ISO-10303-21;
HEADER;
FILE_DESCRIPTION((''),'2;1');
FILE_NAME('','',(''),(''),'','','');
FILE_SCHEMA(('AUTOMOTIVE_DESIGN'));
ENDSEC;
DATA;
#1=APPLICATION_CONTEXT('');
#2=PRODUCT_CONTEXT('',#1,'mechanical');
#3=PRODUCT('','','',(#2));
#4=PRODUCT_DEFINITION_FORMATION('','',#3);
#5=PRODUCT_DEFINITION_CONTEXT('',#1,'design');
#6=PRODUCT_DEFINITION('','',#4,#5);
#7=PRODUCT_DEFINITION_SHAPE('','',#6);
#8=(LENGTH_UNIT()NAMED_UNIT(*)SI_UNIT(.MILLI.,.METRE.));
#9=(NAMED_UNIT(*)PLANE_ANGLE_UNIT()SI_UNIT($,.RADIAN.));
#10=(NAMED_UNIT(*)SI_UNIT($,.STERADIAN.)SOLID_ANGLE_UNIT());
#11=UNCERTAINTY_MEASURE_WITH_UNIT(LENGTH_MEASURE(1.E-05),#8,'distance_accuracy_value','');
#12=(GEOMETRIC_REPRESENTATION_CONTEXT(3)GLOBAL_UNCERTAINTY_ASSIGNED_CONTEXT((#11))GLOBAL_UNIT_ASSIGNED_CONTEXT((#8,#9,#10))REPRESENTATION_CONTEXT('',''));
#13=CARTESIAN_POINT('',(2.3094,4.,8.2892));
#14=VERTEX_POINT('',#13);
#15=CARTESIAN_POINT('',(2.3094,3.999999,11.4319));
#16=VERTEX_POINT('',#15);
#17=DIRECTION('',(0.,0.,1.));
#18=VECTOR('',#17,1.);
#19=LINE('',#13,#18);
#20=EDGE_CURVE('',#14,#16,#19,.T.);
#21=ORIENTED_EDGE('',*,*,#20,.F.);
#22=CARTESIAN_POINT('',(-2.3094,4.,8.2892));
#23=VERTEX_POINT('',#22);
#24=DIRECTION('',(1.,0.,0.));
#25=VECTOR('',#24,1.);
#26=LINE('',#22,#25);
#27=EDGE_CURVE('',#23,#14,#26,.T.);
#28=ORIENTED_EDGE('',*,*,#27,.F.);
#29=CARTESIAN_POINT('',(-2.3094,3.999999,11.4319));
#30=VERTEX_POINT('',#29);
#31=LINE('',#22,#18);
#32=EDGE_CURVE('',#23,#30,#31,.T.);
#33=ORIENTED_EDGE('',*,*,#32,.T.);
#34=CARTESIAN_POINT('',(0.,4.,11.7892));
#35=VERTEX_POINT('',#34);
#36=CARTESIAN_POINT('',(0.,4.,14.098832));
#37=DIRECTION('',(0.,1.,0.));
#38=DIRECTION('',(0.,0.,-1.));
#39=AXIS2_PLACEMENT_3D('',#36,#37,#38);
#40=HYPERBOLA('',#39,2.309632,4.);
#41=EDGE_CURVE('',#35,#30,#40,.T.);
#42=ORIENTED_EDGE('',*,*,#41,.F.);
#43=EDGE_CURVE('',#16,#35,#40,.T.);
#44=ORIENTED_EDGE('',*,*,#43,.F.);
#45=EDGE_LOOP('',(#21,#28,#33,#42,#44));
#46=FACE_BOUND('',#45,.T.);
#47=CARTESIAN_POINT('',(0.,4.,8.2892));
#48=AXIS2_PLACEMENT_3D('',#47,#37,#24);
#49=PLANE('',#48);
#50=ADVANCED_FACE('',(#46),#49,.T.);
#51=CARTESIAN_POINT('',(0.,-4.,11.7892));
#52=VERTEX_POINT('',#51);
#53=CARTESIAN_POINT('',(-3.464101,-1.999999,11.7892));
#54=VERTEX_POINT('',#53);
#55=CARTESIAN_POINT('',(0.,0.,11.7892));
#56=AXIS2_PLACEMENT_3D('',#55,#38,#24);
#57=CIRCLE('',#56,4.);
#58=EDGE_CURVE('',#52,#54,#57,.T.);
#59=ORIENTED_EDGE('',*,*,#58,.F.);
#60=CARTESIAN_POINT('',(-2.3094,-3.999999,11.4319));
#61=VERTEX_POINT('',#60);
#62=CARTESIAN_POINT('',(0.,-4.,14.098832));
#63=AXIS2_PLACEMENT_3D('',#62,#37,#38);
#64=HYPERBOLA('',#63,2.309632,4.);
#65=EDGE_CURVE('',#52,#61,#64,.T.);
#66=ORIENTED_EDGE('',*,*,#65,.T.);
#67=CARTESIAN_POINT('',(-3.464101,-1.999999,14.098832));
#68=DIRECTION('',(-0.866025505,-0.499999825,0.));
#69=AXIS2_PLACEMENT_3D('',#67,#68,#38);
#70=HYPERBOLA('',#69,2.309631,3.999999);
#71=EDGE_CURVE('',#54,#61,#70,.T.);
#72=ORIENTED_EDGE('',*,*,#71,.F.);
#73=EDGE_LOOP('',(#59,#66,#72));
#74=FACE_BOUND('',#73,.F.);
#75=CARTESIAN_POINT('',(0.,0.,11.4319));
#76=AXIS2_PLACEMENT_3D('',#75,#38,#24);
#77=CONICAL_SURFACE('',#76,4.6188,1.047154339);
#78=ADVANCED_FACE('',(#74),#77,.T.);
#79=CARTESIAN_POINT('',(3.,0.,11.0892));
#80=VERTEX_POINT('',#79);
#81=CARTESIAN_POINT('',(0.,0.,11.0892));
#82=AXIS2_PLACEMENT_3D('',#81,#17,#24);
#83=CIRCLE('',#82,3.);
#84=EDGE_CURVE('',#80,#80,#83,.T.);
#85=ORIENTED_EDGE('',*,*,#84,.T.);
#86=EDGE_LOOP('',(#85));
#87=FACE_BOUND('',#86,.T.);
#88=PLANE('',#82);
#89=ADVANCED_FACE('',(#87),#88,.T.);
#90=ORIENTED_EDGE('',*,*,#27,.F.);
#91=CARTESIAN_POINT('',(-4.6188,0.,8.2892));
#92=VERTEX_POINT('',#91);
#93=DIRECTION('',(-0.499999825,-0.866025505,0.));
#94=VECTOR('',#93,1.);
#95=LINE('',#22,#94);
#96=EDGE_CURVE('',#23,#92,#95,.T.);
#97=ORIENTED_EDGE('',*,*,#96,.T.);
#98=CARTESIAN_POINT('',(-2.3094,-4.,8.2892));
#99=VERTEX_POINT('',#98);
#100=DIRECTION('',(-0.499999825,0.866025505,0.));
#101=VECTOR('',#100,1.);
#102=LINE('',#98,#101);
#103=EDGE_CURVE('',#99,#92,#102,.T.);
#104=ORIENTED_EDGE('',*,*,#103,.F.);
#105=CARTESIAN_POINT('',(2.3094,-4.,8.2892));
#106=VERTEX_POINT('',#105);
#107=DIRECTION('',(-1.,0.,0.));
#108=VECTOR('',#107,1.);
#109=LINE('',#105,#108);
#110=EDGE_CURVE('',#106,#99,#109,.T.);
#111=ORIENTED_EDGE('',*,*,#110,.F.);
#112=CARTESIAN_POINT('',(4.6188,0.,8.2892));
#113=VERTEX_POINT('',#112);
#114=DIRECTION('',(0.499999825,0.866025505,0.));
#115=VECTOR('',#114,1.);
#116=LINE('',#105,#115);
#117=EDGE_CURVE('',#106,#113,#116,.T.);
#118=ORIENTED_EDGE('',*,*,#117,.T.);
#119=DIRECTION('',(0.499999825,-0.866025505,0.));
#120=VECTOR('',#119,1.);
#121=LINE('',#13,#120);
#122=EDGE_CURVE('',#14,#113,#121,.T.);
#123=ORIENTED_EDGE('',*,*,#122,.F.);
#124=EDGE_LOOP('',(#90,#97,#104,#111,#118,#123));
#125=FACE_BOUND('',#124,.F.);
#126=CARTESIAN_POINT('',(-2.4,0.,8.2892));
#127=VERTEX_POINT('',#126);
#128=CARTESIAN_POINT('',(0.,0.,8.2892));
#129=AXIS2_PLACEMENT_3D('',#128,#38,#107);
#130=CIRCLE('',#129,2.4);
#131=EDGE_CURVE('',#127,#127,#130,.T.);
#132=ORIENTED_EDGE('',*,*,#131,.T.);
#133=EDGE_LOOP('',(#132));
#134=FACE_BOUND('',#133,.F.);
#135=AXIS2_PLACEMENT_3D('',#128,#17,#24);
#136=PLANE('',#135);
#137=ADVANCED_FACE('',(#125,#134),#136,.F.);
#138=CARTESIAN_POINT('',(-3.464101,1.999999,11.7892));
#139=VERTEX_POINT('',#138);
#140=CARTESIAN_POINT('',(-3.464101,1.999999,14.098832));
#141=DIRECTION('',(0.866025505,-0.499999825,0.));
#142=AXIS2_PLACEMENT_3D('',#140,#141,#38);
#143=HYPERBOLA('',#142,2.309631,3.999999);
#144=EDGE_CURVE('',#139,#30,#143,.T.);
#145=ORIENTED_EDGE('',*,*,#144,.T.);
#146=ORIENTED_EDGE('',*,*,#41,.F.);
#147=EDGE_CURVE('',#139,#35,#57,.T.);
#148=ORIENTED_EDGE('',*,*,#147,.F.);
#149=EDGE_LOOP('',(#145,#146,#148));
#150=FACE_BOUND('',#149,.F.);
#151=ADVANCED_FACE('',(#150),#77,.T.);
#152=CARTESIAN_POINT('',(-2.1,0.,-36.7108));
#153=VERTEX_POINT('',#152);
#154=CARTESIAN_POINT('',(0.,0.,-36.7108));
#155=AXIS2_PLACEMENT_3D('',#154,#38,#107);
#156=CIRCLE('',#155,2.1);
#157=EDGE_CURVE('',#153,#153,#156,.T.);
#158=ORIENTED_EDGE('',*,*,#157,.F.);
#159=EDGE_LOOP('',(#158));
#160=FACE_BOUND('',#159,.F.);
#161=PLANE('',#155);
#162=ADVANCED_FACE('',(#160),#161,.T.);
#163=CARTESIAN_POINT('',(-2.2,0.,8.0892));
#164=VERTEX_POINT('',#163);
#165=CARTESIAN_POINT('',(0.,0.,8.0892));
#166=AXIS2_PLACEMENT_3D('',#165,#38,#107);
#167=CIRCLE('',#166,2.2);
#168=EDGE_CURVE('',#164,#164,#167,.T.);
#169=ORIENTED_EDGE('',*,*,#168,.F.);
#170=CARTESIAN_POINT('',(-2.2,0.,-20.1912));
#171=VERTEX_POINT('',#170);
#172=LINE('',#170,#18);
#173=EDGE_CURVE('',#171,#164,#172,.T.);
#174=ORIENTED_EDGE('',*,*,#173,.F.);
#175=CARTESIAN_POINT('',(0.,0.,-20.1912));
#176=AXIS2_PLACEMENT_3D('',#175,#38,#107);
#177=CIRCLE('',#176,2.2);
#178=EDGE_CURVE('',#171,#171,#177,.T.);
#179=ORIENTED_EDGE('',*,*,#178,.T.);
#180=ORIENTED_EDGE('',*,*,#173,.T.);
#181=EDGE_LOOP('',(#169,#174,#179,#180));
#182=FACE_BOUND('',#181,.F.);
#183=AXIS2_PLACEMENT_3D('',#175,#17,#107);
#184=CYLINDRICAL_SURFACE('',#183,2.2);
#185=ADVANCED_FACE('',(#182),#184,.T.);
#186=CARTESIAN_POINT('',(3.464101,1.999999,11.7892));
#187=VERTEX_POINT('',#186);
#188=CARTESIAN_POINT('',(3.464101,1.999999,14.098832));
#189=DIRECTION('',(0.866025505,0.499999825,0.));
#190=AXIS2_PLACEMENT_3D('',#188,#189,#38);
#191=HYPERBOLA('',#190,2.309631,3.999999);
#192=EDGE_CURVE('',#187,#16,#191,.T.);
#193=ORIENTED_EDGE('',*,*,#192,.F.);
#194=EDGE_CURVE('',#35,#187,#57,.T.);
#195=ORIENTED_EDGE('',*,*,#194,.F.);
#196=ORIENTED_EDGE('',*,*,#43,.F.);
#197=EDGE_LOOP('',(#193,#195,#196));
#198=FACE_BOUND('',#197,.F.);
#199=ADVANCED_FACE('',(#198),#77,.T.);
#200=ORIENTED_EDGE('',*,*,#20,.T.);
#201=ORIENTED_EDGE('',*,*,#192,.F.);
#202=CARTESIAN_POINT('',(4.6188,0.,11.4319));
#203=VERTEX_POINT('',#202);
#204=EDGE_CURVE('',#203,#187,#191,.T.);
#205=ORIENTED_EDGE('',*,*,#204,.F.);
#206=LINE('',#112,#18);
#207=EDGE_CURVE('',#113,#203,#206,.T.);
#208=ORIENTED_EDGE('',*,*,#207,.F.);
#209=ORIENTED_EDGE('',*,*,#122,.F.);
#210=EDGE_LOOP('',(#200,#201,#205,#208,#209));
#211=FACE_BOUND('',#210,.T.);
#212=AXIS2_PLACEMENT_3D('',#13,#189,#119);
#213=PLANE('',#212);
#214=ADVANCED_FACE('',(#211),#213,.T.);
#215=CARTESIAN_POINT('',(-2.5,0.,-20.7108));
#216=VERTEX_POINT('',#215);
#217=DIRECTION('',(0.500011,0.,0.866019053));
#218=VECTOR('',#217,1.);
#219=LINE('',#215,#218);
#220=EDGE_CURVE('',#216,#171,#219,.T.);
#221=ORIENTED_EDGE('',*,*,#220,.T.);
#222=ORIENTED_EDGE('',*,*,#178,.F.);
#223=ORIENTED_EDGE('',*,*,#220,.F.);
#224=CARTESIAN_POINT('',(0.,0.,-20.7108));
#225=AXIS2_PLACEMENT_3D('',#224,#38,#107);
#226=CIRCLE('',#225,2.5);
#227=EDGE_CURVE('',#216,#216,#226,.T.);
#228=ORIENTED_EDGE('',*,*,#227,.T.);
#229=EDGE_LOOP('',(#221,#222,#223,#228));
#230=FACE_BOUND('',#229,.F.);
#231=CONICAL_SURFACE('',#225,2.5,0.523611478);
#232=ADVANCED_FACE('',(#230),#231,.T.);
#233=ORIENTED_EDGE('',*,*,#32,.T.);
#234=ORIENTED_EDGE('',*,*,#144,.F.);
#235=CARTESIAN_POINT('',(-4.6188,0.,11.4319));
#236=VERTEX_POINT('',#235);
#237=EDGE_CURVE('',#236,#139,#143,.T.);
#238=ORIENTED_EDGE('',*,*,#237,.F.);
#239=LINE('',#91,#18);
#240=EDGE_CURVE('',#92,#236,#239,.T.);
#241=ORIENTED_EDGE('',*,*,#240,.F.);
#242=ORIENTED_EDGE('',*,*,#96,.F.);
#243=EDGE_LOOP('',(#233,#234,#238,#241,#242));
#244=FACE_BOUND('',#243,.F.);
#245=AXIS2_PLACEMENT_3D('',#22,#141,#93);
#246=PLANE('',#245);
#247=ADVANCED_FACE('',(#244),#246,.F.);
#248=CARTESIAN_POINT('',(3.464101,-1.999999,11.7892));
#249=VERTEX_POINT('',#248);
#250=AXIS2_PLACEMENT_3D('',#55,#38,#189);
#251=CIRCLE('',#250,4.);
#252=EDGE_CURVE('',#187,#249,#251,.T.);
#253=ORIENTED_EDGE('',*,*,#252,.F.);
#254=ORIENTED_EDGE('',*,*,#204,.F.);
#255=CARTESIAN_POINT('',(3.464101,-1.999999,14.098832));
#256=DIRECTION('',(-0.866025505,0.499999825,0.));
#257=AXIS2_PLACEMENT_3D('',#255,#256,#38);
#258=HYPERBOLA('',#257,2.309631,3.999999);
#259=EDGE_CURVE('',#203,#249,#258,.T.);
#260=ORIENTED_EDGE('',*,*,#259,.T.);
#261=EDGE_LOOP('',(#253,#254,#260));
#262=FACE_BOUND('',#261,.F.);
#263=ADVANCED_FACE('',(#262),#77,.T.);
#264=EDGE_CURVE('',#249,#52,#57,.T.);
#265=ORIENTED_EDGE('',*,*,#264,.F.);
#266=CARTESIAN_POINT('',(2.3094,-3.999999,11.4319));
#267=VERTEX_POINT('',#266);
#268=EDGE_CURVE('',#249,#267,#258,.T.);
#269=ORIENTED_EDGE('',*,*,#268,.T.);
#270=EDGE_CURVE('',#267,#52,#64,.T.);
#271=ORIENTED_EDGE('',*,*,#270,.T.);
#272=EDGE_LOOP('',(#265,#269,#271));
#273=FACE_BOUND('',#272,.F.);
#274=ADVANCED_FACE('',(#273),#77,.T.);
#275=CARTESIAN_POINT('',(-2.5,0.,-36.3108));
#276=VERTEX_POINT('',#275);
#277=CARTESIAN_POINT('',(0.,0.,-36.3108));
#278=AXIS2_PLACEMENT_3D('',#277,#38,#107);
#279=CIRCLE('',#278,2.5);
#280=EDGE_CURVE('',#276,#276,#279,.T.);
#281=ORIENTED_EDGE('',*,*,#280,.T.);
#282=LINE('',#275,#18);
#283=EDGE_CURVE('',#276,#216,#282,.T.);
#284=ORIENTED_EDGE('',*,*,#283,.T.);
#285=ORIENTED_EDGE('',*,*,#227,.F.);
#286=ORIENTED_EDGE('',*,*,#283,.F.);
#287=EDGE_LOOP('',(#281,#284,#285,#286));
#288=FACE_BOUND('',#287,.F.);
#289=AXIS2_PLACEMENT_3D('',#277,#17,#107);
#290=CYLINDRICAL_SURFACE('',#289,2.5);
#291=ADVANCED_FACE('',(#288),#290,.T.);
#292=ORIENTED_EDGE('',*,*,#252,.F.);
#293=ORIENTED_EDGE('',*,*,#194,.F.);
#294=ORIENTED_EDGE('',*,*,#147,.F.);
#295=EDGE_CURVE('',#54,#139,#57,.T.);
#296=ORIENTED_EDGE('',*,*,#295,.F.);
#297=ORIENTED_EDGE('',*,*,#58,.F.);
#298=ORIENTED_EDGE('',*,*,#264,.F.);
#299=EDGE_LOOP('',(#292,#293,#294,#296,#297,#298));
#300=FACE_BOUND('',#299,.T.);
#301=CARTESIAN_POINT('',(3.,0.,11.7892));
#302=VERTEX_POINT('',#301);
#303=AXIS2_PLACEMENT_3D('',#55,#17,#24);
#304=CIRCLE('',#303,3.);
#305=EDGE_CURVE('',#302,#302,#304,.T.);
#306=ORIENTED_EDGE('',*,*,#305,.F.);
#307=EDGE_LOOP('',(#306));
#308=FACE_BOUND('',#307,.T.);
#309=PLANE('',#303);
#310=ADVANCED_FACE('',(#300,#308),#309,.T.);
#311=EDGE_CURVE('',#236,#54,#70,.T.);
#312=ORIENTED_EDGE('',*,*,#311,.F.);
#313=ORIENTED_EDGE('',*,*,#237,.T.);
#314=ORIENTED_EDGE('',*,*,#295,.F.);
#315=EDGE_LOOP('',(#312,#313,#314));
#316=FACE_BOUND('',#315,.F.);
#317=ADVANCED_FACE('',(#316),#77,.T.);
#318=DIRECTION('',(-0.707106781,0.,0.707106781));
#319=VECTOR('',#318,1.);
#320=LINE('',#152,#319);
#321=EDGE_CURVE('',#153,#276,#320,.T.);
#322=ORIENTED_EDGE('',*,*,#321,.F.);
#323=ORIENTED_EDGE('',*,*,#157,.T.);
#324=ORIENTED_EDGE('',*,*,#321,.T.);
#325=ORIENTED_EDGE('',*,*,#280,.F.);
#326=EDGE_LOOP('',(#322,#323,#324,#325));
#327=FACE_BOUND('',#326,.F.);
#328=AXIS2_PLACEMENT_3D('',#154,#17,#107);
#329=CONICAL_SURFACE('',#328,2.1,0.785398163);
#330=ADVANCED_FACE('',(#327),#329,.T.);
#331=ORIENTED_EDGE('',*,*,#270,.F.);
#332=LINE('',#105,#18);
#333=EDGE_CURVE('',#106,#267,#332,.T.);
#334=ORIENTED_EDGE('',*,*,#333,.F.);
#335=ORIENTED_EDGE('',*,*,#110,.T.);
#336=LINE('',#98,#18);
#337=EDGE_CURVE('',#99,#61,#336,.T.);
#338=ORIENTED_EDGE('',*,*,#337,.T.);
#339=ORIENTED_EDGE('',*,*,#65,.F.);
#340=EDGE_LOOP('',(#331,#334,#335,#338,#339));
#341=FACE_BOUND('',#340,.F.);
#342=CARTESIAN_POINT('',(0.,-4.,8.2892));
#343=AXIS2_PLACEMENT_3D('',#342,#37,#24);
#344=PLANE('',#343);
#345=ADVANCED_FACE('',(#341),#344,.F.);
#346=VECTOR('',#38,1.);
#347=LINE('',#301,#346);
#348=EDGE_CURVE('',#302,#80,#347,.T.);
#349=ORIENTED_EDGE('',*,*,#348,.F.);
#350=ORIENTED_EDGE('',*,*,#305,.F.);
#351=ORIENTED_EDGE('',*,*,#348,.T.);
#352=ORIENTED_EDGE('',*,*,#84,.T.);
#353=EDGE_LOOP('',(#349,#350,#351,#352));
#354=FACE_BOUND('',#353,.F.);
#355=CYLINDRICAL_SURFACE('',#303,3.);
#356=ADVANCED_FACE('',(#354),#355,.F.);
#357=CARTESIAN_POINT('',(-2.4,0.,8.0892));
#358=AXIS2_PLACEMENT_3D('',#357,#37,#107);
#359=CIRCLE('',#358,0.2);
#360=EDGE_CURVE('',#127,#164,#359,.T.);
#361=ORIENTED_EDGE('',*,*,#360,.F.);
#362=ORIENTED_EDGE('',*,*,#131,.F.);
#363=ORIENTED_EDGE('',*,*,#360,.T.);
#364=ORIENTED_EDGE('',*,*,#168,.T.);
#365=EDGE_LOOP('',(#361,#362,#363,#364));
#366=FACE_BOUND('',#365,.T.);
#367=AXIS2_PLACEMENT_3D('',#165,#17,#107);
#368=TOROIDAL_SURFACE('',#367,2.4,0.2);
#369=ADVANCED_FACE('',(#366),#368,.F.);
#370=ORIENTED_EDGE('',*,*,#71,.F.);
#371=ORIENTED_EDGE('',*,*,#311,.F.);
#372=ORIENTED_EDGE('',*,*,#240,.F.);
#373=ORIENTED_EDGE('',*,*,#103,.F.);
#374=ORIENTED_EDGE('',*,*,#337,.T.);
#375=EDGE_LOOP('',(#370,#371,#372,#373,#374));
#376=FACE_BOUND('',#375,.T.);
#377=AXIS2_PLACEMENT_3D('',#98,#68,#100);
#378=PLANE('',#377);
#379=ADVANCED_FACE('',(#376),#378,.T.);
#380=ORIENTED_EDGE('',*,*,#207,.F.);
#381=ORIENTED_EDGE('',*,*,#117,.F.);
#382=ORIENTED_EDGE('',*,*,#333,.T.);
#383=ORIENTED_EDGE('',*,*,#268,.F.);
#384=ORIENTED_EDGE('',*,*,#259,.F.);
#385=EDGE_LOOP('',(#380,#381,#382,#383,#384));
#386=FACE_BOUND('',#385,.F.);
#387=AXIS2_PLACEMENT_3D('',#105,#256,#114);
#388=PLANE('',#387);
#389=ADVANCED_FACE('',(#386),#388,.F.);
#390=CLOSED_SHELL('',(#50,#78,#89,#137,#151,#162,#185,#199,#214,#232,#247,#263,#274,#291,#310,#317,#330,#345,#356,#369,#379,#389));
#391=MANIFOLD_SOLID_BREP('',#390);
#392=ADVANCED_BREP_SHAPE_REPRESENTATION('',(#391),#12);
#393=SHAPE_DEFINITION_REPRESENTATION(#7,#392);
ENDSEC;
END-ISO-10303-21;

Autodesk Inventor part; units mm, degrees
ref_plane "YZ Plane" through (0, 0, 0) normal (1, 0, 0) x (0, 1, 0)
sketch "Sketch2" plane through (0, 0, 0) normal (0, 1, 0) x (-1, 0, 0)
  line L0 (0, 8.2892) -> (0, -36.7108)
  line L1 (0, -36.7108) -> (2.1, -36.7108)
  line L2 (2.5, -36.3108) -> (2.5, -20.7108)
  line L3 (2.5, -20.7108) -> (2.2, -20.1912)
  line L4 (2.2, -20.1912) -> (2.2, 8.2892)
  line L5 (2.2, 8.2892) -> (0, 8.2892)
  line L6 (2.1, -36.7108) -> (2.5, -36.3108)
  line L7 (2.5, -36.7108) -> (2.5, -37.2765)
  line L8 (0, -46.3897) -> (0, 17.4023) projected
  dimension "Ds" = 4.4
  dimension "NND" = 5
  dimension "b" = 16
  dimension "d3" = 30
  dimension "d5" = 45
  dimension "PTC" = 0.8
  dimension "NLG" = 45
revolve "Revolution1" add sketch "Sketch2" angle 360 about axis through (0, 0, 8.2892) along (0, 0, -1)
sketch "Sketch3" plane through (0, 0, 8.2892) normal (0, 0, 1) x (1, 0, 0)
  circle A0 centre (0, 0) radius 2.2 projected
  line L0 (0, 4) -> (2.3094, 4)
  line L1 (2.3094, 4) -> (4.6188, 0)
  line L2 (4.6188, 0) -> (0, 0)
  line L3 (0, 0) -> (0, 4)
  line L4 (0, 4) -> (-2.3094, 4)
  line L5 (-2.3094, 4) -> (-4.6188, 0)
  line L6 (0, -4) -> (2.3094, -4)
  line L7 (2.3094, -4) -> (4.6188, 0)
  line L8 (-2.3094, -4) -> (-4.6188, 0)
  line L9 (0, -4) -> (-2.3094, -4)
  dimension "d9" = 60
  dimension "ParS" = 8
  dimension "msp_d11" = 8
extrude "Extrusion1" add sketch "Sketch3" along normal blind 3.5
sketch "Sketch4" plane through (0, 0, 0) normal (0, 1, 0) x (-1, 0, 0)
  line L0 (-4, 11.7892) -> (-4.6188, 11.7892)
  line L1 (-4.6188, 11.7892) -> (-4.6188, 11.4319)
  line L2 (-4.6188, 11.4319) -> (-4, 11.7892)
  line L3 (0, 4.4398) -> (0, 31.3854) projected
  line L4 (0, 27.536) -> (0, 27.1787)
  line L5 (-4.6188, 8.2892) -> (-4.6188, 11.7892) projected
  line L6 (-2.3094, 11.7892) -> (-4.6188, 11.7892) projected
  dimension "d14" = 30
  dimension "msp_d15" = 8
revolve "Revolution2" cut sketch "Sketch4" angle 360 about axis through (0, 0, 27.536) along (0, 0, -1)
sketch "Sketch5" plane through (0, 0, 11.7892) normal (0, 0, 1) x (1, 0, 0)
  arc A0 (3.4641, 2) -> (0, 4) centre (0, 0) ccw projected
  circle A1 centre (0, 0) radius 3
  dimension "d27" = 6
extrude "Extrusion2" cut sketch "Sketch5" against normal blind 0.7
thread "Thread1" size "M5x0.8" class "6g" standard "ISO Metric profile" full length
ref_plane "MSC_PF1" through (0, 0, 0) normal (0, 1, 0) x (-1, 0, 0)
ref_plane "MSC_PT1" through (0, 0, 8.2892) normal (0, 0, -1) x (-1, 0, 0)
fillet "Fillet1" radius 0.2 1 edges at (2.2, 0, 8.2892)
equation "\"msp_d11\" = ParS"
equation "\"msp_d15\" = ParS"
equation "\"d27\" = 0.75 * ParS"
equation "\"d28\" = 0.2 * ParK"
equation "\"d30\" = r"
equation "\"msp_d17\" = b"
equation "\"r\" = 0.2"
equation "\"THREADDIA\" = NND"
equation "\"ParK\" = 3.5"
properties part number "ISO 4015 - M5 x 45" material "Stainless Steel, 440C"
